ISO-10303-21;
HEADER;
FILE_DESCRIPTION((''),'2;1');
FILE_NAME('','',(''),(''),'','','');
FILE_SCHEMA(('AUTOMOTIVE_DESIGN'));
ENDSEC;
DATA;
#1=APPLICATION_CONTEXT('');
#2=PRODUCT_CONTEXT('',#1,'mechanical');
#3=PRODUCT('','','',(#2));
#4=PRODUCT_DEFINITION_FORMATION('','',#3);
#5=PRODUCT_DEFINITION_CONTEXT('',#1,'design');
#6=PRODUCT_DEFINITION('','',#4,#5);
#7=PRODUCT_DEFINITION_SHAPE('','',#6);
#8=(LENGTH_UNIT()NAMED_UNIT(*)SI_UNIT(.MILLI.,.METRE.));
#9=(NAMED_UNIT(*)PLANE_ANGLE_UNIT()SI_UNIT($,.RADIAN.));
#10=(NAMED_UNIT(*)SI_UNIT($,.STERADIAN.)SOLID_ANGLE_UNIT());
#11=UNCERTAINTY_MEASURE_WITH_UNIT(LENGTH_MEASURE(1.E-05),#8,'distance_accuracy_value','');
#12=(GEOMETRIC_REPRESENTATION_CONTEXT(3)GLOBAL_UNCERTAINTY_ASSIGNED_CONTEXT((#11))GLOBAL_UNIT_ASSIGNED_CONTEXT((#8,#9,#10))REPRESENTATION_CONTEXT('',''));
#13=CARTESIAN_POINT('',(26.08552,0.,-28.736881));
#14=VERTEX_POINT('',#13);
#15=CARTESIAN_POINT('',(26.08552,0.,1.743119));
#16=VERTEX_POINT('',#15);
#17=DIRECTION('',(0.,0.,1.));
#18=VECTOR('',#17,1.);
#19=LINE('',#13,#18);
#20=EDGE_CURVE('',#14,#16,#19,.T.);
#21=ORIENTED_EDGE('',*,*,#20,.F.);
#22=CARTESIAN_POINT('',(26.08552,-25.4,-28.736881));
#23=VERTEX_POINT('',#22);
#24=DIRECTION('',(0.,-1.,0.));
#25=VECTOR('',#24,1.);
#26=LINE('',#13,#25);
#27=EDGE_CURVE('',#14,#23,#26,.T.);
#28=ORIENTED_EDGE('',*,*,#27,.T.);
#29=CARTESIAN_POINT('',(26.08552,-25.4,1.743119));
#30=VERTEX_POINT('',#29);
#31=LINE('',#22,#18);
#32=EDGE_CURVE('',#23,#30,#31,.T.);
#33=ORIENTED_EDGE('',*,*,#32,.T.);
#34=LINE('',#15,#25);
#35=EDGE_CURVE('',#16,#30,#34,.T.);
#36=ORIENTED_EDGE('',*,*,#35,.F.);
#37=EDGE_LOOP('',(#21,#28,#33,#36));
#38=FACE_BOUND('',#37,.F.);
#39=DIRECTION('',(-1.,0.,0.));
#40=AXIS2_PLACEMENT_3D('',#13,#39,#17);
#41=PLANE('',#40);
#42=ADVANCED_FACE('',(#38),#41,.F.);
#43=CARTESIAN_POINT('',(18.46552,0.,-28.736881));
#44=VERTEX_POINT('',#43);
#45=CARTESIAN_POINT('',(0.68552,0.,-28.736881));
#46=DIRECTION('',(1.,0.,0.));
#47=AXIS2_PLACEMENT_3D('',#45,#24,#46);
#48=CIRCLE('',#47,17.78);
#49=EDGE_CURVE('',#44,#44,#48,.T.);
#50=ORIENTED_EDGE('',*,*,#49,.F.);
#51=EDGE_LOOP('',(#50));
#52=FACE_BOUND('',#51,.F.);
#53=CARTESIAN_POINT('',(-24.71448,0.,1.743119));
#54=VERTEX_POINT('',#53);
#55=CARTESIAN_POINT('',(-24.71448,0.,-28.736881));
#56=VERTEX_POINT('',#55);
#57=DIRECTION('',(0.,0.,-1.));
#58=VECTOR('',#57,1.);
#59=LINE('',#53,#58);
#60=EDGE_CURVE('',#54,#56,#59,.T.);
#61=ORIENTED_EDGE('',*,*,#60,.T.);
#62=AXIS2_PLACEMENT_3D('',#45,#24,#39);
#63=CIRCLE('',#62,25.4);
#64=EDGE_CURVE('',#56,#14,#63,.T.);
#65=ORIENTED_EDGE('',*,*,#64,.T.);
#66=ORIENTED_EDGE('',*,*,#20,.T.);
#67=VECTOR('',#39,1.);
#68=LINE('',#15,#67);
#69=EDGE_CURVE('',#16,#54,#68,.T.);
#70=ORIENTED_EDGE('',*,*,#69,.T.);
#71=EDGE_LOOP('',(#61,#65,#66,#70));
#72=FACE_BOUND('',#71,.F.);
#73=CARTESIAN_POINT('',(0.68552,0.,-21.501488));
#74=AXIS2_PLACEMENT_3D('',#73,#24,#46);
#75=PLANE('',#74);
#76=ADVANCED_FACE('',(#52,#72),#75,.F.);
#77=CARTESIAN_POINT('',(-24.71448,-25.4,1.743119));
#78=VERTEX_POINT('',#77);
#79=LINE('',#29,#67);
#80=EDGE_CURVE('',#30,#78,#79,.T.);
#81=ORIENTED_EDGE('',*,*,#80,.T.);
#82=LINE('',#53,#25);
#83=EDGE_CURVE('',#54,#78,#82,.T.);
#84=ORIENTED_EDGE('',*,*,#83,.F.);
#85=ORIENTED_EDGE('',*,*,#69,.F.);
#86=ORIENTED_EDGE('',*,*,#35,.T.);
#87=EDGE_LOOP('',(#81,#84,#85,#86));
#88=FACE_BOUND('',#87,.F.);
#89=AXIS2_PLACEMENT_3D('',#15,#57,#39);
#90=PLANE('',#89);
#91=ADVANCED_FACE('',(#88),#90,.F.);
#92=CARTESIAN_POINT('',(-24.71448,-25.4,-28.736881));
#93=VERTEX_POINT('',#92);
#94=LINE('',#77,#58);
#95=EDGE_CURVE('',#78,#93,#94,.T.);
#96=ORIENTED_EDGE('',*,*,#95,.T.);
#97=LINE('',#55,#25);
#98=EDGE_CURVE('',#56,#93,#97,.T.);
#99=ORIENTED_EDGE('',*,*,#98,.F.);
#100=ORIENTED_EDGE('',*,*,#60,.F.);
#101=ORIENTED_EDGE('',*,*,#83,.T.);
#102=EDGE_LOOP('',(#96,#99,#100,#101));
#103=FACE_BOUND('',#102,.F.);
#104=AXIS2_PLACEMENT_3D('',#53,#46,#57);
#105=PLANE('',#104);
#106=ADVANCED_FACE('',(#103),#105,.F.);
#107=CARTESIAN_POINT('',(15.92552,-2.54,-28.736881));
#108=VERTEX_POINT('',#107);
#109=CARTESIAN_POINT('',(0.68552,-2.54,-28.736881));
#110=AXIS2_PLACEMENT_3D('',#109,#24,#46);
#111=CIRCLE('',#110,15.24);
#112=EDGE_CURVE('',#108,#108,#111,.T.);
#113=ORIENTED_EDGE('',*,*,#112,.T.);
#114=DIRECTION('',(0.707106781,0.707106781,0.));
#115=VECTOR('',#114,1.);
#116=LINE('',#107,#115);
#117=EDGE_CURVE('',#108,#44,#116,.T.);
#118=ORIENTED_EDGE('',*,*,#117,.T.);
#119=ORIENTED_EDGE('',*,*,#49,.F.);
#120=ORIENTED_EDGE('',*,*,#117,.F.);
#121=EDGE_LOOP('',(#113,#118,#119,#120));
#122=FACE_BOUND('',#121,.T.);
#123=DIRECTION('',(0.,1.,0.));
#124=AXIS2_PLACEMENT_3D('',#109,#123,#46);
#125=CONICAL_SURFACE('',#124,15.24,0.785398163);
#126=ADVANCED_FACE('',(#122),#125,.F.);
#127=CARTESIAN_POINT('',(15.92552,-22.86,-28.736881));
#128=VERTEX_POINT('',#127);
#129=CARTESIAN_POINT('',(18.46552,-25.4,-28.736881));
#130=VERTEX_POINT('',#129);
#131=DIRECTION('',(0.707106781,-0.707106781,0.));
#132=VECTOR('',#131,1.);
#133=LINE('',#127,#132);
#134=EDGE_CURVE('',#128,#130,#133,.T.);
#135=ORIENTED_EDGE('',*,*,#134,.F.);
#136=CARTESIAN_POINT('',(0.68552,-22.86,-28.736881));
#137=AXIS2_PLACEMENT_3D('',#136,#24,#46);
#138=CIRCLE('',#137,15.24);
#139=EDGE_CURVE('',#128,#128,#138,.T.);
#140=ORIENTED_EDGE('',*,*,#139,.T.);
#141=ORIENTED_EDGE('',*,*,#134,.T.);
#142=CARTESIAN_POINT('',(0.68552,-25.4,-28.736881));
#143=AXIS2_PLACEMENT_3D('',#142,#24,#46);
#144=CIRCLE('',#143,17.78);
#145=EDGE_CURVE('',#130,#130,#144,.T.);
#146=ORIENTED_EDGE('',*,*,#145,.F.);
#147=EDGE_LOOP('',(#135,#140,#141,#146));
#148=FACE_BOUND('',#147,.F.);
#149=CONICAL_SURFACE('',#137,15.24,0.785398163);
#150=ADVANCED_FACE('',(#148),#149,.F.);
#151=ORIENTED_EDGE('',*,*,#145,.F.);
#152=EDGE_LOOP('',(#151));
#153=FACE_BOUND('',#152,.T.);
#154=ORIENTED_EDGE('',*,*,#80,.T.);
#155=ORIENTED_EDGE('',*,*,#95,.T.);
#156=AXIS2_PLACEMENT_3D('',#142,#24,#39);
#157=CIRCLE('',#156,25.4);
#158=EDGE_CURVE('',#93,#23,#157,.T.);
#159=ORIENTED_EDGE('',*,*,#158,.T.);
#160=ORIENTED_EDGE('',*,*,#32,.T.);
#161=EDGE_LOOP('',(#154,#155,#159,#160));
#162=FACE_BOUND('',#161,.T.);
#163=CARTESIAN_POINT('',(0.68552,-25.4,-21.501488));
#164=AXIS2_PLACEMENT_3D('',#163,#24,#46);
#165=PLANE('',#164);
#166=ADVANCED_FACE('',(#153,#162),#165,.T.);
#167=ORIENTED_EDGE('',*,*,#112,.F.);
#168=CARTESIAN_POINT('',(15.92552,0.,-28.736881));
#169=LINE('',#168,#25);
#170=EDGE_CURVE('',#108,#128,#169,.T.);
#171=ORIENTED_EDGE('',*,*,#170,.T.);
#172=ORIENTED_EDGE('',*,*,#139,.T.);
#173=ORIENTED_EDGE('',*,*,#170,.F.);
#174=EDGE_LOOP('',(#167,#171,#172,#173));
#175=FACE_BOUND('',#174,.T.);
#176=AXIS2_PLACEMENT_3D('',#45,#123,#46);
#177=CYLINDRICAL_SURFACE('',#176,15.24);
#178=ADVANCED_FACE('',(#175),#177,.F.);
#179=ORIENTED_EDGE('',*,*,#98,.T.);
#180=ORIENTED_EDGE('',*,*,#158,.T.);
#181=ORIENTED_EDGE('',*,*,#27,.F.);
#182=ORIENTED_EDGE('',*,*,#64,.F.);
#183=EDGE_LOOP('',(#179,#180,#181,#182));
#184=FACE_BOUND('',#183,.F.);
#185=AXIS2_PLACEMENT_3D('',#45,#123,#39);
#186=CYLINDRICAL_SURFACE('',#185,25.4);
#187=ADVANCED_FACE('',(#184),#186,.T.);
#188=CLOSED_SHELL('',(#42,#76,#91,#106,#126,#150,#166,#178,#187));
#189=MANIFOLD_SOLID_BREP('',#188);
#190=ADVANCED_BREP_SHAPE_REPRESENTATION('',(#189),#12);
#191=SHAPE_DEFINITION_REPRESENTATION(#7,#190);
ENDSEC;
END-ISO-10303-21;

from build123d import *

# Parameters (mm, degrees)
F0_R     = 15.24
F1_DEPTH = 25.4
F2_SIZE  = 2.54


with BuildPart() as f1:
    # F0 (on Front) → F1 (new body)
    with BuildSketch(Plane.XZ):
        with BuildLine():
            Line((26.08552, 1.743119), (-24.71448, 1.743119))
            Line((-24.71448, 1.743119), (-24.71448, -28.736881))
            ThreePointArc((-24.71448, -28.736881), (0.68552, -54.136881), (26.08552, -28.736881))
            Line((26.08552, -28.736881), (26.08552, 1.743119))
        make_face()
        with Locations((0.68552, -28.736881)):
            Circle(F0_R, mode=Mode.SUBTRACT)
    extrude(amount=F1_DEPTH)

    # F2
    f2_edges = [f1.edges().sort_by_distance(p)[0] for p in [
        (-14.55448, -25.4, -28.736881),
        (-14.55448, 0, -28.736881),
    ]]
    chamfer(f2_edges, length=F2_SIZE)


solid = f1.part
